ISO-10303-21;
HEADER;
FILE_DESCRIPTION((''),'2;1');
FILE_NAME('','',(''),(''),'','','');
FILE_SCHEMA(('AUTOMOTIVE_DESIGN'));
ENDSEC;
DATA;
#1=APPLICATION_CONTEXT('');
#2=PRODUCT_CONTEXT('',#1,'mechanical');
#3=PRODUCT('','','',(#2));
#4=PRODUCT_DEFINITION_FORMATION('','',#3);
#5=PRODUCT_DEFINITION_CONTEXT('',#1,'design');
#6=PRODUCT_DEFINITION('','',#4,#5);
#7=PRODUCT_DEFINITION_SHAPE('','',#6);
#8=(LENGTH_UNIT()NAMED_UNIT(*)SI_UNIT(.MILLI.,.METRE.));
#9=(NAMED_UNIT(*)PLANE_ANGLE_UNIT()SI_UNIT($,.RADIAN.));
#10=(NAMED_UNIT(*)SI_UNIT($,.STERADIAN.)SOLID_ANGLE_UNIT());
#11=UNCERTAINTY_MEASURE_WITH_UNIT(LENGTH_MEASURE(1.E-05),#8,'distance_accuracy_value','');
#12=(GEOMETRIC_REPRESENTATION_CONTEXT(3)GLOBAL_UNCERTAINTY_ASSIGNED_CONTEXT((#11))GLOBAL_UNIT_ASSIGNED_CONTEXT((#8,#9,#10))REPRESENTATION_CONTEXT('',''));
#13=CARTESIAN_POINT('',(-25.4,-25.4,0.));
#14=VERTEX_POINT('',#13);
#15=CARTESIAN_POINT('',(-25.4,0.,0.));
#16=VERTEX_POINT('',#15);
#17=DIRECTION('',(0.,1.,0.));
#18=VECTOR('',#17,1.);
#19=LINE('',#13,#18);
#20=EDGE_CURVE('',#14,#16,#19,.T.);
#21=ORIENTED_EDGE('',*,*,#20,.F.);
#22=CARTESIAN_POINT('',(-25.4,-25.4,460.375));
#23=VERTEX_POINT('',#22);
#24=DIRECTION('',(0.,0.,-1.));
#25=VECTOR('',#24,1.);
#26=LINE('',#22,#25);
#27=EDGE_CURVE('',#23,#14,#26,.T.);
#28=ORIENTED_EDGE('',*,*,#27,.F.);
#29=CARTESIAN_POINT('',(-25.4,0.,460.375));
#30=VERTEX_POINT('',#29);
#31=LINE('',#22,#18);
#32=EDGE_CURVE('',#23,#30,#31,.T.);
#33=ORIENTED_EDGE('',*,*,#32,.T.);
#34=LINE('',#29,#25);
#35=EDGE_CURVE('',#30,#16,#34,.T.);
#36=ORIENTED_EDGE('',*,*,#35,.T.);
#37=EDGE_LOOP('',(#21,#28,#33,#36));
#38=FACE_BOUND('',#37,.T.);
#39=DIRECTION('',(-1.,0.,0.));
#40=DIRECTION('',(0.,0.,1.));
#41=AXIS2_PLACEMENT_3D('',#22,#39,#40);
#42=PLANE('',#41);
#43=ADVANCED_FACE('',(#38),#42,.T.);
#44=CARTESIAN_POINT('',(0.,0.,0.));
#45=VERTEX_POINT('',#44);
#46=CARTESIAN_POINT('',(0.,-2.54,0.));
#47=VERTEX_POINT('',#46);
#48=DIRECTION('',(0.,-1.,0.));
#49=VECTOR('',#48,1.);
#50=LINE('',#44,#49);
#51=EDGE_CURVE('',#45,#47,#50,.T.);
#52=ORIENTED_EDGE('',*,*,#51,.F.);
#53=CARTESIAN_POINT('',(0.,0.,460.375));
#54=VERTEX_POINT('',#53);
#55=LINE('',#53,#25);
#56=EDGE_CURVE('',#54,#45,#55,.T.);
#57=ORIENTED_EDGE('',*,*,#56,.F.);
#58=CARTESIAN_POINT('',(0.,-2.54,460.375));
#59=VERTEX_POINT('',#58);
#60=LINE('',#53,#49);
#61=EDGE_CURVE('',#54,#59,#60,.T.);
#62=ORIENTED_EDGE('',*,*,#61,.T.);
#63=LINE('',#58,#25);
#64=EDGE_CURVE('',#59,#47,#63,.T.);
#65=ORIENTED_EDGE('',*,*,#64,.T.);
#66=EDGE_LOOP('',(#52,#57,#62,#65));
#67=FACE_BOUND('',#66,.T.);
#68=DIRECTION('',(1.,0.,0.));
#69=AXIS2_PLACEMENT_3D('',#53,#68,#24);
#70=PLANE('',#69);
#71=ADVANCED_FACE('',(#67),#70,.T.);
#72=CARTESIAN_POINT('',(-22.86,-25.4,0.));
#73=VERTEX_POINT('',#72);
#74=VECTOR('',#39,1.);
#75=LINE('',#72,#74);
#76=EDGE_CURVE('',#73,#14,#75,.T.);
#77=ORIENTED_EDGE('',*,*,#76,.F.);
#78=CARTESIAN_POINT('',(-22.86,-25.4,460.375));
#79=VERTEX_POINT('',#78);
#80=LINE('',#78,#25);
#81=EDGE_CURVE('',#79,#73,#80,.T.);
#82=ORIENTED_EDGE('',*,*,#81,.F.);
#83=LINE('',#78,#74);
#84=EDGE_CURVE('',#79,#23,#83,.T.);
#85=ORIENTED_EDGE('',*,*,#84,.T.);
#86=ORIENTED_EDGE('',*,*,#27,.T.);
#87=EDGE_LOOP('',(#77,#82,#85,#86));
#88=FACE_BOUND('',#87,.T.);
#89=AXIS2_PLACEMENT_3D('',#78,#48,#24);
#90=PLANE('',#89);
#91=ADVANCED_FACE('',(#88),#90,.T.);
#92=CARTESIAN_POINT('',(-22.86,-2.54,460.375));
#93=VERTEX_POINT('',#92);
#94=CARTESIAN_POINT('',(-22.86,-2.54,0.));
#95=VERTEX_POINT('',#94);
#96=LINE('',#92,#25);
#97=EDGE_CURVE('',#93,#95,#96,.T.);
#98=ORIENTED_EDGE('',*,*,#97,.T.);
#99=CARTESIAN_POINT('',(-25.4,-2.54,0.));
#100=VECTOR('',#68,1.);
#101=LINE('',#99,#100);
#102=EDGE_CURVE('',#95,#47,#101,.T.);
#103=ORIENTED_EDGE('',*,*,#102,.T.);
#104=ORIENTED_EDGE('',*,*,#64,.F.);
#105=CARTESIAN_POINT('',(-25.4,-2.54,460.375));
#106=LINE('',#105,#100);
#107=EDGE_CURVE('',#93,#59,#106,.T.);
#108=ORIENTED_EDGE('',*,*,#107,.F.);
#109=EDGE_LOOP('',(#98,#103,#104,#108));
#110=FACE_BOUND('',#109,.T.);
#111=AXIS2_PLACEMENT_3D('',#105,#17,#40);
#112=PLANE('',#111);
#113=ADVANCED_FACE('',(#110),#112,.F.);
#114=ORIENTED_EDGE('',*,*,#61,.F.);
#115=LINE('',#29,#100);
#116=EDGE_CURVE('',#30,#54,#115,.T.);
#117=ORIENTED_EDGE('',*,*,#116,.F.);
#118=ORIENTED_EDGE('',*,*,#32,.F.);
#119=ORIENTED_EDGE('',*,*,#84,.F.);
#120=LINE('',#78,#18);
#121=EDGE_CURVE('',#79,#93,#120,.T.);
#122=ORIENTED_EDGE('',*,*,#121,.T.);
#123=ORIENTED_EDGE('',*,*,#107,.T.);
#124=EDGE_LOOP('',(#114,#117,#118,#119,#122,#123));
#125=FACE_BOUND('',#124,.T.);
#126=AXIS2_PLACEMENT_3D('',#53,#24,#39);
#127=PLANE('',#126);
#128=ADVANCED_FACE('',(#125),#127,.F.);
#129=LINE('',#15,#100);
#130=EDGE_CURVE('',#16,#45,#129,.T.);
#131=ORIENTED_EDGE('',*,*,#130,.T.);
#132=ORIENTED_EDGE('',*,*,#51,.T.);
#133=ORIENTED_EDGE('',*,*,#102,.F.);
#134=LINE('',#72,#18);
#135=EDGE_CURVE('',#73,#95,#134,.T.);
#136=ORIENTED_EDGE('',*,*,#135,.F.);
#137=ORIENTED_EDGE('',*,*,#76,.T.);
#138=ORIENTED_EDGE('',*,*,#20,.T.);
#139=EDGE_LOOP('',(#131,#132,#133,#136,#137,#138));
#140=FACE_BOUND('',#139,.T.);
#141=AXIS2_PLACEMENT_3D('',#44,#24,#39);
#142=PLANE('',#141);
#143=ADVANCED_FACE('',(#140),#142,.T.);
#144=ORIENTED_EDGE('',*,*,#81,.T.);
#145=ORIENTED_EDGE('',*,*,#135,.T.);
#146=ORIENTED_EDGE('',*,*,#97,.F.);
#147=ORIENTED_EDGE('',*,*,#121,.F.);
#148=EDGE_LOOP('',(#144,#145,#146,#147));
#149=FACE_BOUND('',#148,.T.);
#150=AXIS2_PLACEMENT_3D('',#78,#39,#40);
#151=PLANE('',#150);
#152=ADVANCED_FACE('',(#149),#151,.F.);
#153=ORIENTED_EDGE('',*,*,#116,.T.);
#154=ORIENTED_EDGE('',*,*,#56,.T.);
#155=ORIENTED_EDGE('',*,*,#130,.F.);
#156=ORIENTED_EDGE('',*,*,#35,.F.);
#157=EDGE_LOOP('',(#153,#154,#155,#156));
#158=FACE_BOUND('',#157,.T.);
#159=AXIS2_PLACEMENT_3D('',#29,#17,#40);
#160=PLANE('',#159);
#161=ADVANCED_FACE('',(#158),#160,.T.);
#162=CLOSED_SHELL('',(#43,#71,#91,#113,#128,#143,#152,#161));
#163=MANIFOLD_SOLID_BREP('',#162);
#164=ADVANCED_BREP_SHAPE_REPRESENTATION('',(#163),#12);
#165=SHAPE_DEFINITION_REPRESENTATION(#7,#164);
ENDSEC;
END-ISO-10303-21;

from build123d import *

# Parameters (mm, degrees)
EXTRUDE_THIN1_DEPTH = 460.375


with BuildPart() as part:
    # Sketch1 → Extrude-Thin1 (new body)
    with BuildSketch(Plane.XY):
        Polygon((-25.4, -25.4), (-25.4, 0), (0, 0), (0, -2.54), (-22.86, -2.54), (-22.86, -25.4), align=None)
    extrude(amount=EXTRUDE_THIN1_DEPTH)


solid = part.part
